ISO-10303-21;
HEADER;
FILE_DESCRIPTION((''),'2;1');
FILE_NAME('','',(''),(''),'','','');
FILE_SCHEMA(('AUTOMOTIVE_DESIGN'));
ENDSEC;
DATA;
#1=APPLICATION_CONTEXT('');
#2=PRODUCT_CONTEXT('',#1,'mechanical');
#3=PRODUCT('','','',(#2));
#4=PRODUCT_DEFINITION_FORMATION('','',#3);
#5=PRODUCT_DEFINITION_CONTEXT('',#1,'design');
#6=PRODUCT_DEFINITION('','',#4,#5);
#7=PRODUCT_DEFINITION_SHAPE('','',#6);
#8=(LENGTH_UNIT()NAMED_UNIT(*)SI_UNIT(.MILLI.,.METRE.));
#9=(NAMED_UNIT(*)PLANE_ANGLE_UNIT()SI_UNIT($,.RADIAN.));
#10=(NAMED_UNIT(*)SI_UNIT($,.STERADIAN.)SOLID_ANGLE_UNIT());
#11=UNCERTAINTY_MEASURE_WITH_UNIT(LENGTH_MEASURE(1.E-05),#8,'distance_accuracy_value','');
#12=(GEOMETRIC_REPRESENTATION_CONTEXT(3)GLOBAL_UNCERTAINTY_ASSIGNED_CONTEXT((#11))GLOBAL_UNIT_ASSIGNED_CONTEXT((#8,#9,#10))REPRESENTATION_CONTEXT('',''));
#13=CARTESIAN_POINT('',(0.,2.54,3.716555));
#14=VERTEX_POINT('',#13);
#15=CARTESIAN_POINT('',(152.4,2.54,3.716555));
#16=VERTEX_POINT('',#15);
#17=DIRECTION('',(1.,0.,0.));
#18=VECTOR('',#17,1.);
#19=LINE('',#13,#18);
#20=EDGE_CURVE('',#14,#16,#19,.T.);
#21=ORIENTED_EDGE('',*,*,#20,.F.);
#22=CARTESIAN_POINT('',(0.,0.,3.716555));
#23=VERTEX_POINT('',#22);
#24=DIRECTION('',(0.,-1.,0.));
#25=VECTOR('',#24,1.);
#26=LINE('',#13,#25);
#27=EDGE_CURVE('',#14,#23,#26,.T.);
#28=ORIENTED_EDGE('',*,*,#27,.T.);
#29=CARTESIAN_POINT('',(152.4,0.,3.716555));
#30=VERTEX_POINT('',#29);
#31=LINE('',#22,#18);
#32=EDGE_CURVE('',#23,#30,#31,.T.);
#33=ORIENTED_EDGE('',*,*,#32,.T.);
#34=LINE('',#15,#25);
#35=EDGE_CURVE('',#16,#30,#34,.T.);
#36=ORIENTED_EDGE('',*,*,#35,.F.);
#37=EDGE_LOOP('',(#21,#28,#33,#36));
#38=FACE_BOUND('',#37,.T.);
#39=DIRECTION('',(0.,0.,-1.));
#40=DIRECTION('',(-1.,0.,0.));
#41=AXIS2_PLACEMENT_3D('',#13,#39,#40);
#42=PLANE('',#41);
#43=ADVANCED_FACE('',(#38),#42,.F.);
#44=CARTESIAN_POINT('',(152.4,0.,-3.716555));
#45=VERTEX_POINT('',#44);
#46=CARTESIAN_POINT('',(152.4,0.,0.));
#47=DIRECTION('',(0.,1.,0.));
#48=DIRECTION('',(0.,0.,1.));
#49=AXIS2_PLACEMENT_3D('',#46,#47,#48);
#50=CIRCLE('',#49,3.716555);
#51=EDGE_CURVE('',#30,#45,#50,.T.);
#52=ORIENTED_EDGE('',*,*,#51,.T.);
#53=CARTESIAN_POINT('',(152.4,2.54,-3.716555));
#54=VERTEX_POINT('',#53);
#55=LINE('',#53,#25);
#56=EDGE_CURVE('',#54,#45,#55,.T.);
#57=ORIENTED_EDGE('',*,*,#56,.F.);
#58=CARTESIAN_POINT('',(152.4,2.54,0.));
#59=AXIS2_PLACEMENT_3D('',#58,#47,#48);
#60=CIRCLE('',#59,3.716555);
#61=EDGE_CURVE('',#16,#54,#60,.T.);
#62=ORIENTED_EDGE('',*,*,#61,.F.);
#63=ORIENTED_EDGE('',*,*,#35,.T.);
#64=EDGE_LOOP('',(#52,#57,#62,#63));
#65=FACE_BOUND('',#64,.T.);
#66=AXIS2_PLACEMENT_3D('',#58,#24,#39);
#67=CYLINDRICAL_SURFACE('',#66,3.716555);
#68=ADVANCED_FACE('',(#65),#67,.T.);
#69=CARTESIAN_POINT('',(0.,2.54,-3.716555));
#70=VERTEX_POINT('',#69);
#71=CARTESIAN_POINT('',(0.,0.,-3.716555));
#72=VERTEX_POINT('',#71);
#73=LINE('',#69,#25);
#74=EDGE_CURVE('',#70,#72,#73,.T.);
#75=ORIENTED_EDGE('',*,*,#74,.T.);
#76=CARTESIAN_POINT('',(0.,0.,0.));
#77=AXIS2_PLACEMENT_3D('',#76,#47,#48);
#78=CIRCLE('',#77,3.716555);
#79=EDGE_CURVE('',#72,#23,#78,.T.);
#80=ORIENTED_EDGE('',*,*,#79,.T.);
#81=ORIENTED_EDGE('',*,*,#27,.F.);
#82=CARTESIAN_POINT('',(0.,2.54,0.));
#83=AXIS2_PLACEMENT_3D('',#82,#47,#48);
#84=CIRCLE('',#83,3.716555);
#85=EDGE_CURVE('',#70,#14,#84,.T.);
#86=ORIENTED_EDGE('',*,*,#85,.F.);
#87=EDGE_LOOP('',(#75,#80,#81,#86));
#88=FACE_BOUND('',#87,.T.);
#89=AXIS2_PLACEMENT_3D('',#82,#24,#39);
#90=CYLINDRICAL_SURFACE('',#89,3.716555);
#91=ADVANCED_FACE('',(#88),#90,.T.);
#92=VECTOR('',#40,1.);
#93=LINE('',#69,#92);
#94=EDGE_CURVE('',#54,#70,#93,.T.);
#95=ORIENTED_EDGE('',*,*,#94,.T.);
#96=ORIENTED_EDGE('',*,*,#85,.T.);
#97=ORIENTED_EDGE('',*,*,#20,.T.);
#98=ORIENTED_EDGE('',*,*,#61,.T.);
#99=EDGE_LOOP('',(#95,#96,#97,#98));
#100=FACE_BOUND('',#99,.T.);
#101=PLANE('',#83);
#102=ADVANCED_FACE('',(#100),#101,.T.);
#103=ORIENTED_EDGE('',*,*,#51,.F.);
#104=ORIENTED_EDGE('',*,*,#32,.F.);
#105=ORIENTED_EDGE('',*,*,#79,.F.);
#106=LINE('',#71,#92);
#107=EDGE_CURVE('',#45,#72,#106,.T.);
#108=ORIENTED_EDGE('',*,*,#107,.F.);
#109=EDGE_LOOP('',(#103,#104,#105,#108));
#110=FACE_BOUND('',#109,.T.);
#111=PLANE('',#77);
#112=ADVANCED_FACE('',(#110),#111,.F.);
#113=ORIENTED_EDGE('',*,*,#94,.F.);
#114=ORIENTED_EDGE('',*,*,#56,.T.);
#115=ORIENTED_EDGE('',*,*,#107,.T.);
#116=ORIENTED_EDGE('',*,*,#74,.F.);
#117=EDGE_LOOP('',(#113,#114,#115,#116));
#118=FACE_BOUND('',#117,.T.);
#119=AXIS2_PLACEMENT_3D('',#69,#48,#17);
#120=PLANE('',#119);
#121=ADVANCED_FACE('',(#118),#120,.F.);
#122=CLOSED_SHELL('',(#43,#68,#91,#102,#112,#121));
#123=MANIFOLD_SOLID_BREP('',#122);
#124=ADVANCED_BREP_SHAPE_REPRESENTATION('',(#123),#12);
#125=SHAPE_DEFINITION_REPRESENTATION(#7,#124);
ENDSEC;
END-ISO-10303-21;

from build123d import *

# Parameters (mm, degrees)
BOSS_EXTRUDE1_DEPTH = 2.54


with BuildPart() as part:
    # Sketch1 → Boss-Extrude1 (new body)
    with BuildSketch(Plane(origin=(0, 0, 0), x_dir=(1, 0, 0), z_dir=(0, 1, 0))):
        with BuildLine():
            Line((0, 3.716555184), (152.4, 3.716555184))
            ThreePointArc((152.4, 3.716555184), (156.116555184, 0), (152.4, -3.716555184))
            Line((152.4, -3.716555184), (0, -3.716555184))
            ThreePointArc((0, -3.716555184), (-3.716555184, 0), (0, 3.716555184))
        make_face()
    extrude(amount=BOSS_EXTRUDE1_DEPTH)


solid = part.part
